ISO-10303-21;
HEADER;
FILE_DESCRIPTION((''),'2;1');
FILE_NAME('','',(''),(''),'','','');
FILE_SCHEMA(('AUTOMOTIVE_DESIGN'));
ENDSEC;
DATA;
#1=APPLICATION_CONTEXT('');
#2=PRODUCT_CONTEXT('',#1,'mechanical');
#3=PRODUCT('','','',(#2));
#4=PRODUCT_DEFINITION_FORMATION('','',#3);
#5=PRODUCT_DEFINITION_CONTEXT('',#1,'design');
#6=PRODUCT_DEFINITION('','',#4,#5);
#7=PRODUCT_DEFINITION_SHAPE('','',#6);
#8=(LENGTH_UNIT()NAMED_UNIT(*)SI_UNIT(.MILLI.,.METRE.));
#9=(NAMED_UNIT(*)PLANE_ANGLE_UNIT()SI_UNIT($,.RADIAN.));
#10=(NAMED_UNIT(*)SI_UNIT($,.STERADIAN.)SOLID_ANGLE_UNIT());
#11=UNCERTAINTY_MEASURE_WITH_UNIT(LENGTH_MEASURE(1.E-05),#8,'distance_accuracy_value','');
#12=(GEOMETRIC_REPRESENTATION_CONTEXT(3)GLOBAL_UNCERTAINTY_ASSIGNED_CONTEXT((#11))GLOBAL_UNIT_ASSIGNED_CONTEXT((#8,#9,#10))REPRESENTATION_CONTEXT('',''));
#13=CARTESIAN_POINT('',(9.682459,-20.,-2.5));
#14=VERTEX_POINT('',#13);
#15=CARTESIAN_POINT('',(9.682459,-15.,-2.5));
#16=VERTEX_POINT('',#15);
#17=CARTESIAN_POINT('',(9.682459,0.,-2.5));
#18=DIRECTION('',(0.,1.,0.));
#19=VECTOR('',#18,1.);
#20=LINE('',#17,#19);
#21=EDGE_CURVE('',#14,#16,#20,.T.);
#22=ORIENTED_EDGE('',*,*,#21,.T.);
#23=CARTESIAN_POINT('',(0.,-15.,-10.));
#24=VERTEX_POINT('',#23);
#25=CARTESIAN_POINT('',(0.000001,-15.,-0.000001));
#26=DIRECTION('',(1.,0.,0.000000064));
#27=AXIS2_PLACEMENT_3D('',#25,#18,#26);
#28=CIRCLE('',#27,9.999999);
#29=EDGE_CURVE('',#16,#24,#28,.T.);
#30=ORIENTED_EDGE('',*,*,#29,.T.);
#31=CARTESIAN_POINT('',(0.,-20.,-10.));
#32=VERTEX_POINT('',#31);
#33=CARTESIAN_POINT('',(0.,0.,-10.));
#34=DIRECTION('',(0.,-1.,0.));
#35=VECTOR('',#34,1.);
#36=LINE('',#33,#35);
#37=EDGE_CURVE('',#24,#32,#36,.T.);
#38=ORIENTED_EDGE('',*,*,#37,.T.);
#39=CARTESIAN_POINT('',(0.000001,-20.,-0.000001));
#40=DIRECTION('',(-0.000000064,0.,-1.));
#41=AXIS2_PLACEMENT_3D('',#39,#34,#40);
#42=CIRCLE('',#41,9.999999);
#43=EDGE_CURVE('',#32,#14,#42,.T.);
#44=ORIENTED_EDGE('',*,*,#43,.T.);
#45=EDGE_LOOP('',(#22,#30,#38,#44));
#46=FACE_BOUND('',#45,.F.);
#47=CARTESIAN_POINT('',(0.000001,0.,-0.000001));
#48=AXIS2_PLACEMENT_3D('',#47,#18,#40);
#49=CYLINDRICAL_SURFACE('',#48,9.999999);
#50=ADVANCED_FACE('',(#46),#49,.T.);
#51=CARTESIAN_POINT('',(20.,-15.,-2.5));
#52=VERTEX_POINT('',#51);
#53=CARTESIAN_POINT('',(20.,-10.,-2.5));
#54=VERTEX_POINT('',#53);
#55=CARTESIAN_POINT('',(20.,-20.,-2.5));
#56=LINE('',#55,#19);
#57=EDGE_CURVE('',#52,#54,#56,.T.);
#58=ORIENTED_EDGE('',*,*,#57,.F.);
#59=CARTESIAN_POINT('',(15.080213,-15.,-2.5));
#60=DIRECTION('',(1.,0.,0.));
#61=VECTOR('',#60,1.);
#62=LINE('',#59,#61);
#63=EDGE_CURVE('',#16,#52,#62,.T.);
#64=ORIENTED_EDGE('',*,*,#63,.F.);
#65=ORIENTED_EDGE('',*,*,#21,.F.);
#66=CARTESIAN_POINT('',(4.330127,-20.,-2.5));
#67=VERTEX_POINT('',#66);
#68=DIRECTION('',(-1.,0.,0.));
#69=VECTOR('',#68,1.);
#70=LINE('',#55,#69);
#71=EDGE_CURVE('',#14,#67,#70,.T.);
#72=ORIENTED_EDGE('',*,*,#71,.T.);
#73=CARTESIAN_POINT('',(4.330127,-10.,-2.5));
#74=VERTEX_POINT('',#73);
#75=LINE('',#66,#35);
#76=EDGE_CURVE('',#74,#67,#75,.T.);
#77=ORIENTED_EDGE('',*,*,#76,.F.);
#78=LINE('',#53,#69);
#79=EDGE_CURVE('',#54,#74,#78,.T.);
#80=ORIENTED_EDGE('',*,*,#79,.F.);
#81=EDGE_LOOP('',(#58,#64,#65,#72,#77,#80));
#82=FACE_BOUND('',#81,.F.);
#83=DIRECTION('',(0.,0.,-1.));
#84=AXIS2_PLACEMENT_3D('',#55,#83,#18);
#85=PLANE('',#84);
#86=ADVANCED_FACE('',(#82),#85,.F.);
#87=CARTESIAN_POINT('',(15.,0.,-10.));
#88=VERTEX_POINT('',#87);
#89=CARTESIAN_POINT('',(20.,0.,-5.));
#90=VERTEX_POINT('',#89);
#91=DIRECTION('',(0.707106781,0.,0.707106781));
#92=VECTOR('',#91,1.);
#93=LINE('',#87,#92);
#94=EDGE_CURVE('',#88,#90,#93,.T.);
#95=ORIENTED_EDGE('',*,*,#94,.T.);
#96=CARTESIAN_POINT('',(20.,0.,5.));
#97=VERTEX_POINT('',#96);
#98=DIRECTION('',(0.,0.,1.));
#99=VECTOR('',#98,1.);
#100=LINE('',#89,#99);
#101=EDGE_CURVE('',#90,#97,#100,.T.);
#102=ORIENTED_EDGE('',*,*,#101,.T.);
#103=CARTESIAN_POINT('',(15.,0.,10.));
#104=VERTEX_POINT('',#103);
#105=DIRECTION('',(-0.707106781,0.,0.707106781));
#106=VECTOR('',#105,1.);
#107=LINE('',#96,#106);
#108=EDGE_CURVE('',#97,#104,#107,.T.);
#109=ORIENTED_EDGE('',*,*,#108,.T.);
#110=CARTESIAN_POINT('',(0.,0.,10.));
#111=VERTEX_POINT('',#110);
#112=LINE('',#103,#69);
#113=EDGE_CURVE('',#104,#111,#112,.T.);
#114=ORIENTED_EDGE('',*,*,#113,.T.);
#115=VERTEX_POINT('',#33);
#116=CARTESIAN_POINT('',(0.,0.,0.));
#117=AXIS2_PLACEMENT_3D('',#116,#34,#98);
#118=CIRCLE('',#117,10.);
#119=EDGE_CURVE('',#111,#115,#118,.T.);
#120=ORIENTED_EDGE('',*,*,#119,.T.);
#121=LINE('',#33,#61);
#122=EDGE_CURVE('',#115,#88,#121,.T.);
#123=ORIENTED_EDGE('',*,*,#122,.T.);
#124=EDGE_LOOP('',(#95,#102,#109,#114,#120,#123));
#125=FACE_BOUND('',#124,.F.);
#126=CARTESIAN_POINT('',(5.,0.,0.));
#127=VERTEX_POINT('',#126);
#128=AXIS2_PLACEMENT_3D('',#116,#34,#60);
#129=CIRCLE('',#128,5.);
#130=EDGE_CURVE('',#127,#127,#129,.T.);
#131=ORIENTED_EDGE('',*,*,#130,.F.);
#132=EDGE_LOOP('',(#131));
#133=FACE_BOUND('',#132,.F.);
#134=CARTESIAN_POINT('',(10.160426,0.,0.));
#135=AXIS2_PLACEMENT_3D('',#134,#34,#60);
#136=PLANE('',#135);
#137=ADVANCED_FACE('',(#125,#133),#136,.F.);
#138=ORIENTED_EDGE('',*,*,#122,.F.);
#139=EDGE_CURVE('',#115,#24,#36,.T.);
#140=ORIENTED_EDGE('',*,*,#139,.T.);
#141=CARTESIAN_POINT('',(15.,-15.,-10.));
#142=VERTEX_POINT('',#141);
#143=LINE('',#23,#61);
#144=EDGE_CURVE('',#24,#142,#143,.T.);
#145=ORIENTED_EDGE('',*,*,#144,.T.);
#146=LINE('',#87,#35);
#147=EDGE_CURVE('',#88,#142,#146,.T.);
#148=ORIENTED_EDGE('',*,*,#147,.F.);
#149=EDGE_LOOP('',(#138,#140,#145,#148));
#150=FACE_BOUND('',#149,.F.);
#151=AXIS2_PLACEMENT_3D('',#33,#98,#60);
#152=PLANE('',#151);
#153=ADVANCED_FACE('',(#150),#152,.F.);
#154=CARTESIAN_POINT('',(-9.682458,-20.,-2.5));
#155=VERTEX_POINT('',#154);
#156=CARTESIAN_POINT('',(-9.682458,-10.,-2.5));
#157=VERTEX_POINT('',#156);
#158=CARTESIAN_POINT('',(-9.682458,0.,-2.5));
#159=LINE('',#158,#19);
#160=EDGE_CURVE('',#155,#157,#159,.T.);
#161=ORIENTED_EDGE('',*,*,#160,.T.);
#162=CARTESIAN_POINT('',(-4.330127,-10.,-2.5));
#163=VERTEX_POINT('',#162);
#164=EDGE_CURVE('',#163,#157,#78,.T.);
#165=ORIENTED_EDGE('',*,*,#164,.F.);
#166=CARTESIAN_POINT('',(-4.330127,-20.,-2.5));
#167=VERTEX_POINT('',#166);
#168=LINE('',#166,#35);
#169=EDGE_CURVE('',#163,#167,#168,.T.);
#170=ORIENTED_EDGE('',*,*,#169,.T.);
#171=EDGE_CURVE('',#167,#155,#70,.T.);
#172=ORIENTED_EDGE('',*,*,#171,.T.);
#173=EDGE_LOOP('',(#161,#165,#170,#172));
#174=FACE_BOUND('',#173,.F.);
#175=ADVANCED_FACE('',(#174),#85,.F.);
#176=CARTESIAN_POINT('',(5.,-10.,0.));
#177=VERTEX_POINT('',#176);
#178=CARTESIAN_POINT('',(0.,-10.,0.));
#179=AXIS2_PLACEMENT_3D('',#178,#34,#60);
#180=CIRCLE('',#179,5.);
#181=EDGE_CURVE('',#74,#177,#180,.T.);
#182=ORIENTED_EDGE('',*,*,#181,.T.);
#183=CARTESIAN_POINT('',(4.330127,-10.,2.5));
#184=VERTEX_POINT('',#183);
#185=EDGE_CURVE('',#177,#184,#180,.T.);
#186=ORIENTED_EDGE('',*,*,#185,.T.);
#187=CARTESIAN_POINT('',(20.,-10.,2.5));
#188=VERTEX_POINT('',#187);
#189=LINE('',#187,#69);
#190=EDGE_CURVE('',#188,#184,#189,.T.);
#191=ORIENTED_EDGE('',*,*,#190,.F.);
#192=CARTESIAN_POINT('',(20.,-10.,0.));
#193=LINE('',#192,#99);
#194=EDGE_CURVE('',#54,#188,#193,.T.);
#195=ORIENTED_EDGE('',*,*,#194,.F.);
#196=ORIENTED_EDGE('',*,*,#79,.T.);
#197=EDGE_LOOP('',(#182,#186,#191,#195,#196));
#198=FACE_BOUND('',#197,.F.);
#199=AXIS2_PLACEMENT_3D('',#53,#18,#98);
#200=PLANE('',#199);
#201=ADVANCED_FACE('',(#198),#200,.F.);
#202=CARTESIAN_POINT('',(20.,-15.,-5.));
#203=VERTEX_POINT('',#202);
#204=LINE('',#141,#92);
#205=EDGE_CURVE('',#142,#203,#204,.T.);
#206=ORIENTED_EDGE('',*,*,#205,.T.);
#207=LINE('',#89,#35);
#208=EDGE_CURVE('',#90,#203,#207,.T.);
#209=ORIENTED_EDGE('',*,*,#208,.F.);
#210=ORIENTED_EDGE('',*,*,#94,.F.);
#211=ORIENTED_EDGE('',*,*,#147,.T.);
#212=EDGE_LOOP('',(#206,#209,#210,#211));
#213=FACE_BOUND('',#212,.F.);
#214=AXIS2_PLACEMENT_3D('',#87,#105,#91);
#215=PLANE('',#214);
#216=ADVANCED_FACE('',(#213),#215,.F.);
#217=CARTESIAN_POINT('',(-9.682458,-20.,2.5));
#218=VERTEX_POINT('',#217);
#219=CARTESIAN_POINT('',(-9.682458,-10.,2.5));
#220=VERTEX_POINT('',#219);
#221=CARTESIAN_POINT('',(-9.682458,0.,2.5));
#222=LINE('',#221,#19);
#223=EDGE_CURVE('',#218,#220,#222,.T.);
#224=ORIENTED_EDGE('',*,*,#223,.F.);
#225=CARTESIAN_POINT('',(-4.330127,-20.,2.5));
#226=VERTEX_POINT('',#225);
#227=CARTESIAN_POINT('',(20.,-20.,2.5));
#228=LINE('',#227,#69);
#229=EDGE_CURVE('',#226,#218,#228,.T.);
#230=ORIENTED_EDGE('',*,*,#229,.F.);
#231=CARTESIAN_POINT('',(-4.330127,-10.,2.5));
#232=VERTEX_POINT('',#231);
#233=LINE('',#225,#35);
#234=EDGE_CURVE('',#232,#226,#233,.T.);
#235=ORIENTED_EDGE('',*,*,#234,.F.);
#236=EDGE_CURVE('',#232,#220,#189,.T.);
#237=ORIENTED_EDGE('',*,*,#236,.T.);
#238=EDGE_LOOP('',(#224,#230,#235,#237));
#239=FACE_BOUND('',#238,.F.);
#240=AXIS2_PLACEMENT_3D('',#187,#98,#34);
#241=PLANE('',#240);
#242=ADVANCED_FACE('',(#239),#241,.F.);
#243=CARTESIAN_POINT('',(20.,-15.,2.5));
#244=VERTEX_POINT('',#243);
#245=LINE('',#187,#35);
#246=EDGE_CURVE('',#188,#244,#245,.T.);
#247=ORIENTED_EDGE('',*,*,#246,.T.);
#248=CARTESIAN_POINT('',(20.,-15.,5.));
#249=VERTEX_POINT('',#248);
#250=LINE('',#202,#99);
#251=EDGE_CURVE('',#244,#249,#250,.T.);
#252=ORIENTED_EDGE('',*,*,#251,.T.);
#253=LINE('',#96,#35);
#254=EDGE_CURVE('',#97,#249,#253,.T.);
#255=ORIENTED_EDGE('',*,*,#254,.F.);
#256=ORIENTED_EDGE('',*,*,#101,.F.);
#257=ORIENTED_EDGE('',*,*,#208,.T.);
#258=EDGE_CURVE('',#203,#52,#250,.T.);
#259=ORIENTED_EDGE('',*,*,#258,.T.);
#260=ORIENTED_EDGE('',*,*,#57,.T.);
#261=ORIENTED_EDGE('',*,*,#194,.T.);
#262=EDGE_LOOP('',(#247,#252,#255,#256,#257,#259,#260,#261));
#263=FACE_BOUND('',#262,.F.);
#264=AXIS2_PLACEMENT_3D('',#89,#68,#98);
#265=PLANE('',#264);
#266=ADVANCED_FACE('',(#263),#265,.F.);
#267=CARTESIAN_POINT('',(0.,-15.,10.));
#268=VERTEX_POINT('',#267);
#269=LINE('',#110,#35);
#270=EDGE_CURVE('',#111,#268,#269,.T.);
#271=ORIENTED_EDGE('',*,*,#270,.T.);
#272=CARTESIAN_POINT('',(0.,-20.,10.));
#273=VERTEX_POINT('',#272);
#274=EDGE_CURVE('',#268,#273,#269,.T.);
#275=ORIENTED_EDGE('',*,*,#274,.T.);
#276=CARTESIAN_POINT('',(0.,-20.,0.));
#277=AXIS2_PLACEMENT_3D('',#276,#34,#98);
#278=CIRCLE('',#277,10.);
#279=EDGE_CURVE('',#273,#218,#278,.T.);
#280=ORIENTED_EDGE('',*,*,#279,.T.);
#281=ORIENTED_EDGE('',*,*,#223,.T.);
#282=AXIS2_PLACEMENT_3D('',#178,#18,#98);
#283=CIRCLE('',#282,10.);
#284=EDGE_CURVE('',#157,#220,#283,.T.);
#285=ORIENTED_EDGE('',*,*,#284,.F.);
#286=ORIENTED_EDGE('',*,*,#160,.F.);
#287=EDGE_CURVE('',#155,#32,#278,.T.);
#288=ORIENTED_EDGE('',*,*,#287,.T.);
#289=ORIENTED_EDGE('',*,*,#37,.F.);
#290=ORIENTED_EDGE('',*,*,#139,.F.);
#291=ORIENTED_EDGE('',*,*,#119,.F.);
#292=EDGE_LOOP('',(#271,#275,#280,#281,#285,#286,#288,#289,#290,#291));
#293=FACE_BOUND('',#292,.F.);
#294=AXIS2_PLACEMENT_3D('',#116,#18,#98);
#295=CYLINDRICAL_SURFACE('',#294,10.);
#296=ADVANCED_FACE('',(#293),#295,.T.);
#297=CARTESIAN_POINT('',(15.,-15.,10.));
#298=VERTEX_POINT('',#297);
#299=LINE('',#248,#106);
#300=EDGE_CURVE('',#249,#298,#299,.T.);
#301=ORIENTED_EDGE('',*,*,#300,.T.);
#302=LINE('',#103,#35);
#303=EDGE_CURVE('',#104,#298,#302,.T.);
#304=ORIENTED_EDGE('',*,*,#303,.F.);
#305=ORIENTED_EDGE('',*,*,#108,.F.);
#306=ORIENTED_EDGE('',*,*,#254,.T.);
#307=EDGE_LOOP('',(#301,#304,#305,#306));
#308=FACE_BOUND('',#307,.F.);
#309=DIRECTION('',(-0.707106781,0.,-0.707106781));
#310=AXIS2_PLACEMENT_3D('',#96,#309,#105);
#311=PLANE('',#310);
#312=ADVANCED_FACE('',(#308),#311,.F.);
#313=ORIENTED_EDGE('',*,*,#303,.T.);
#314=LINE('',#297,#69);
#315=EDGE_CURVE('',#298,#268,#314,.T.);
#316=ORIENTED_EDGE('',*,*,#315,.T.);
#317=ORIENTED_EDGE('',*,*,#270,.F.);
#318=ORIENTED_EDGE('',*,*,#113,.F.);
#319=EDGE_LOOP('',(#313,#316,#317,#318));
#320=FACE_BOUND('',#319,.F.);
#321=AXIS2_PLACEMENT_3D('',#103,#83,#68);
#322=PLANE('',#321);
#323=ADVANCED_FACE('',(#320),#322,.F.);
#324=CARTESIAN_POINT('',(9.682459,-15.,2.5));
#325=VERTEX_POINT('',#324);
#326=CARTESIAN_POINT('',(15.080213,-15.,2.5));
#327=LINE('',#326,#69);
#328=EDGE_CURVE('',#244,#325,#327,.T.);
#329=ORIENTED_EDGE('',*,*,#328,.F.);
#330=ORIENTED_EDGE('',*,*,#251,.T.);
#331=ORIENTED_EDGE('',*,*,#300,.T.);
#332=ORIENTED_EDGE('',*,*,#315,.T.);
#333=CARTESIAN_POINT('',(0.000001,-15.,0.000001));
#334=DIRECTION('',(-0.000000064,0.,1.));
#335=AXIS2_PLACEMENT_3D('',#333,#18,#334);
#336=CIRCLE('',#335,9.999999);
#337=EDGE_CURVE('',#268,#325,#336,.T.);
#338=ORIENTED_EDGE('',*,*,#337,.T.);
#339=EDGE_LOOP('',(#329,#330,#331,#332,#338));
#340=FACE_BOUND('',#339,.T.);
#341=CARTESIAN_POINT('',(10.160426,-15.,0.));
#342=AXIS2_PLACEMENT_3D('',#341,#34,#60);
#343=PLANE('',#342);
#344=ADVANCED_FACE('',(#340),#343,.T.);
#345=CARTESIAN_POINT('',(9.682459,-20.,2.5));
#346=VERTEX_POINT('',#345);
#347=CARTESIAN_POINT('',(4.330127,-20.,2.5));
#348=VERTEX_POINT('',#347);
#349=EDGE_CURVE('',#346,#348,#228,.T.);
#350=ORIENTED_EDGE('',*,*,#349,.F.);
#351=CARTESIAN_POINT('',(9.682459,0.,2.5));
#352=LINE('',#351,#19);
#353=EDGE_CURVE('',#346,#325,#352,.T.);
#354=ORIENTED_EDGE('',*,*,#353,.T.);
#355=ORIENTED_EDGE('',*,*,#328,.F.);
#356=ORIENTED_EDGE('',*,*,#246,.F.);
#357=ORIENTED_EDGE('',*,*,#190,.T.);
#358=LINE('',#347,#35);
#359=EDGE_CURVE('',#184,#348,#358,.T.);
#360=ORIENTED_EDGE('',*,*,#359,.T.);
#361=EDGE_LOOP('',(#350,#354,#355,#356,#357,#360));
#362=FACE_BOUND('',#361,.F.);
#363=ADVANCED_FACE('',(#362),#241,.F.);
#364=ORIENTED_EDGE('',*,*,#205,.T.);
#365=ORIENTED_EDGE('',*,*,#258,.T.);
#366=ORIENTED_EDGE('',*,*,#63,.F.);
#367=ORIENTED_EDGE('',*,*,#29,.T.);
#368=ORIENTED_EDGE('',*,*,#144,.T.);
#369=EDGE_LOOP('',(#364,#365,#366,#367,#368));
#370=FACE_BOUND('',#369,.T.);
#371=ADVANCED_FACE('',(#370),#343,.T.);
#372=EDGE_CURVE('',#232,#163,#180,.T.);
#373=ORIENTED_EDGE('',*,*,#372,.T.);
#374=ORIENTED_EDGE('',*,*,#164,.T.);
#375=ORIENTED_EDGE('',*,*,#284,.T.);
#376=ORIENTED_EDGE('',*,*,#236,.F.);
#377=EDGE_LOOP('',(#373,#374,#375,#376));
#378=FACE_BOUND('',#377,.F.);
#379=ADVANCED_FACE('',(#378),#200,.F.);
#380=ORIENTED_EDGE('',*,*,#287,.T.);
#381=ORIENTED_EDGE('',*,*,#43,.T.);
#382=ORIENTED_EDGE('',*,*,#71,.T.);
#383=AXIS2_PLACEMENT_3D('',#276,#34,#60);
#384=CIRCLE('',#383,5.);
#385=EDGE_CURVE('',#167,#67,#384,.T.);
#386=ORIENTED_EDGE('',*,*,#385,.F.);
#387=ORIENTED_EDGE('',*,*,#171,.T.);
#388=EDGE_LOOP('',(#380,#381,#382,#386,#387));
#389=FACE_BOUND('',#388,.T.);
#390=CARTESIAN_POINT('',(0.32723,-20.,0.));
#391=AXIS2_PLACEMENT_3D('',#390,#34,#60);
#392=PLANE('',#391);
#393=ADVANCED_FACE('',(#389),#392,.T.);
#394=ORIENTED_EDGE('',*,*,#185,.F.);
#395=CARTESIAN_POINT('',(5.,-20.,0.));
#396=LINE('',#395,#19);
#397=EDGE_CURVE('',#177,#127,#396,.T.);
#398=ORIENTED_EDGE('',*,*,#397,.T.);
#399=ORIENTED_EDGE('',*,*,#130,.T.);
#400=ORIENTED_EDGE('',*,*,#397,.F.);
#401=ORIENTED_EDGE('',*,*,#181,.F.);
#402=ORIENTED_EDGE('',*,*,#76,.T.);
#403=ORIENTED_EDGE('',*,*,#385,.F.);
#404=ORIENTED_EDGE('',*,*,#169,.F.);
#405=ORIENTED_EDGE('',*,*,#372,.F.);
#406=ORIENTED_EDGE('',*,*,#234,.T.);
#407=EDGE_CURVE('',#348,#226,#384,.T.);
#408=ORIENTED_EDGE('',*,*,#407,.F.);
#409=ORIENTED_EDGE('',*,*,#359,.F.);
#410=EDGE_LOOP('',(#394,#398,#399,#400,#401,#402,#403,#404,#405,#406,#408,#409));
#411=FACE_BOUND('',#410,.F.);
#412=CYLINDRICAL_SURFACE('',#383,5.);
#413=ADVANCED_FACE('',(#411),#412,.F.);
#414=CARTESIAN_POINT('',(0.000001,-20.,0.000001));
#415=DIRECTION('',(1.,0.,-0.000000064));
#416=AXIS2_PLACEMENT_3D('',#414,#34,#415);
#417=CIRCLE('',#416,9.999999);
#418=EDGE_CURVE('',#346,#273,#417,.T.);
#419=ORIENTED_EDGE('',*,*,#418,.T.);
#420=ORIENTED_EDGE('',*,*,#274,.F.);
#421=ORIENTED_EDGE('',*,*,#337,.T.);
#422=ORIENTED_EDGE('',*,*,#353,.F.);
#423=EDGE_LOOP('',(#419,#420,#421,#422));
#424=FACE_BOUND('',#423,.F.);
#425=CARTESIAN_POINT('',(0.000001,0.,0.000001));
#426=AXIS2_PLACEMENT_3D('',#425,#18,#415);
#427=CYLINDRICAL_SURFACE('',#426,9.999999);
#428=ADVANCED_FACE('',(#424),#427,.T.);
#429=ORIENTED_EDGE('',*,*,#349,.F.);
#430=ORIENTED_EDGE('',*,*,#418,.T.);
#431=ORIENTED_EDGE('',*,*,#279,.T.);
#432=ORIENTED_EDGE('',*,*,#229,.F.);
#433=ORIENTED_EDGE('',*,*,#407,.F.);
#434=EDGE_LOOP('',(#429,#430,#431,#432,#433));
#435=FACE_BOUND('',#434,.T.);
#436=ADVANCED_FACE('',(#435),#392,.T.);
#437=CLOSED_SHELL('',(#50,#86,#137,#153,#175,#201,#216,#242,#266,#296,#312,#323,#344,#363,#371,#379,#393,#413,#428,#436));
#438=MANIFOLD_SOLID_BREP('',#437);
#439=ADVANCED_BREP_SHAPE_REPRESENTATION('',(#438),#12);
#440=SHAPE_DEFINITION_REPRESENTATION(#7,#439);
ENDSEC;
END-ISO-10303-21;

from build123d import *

# Parameters (mm, degrees)
F1_DEPTH = 20
F2_DEPTH = 15
F3_R     = 5
F4_DEPTH = 20.001
F5_W     = 5
F5_H     = 5
F6_DEPTH = 30.001


with BuildPart() as f1:
    # F0 (on Front) → F1 (new body)
    with BuildSketch(Plane.XZ):
        with BuildLine():
            ThreePointArc((0, -10), (7.071068, -7.071068), (10, 0))
            ThreePointArc((10, 0), (7.071068, 7.071068), (0, 10))
            ThreePointArc((0, 10), (-10, 0), (0, -10))
        make_face()
    extrude(amount=F1_DEPTH)

    # F0 (on Front) → F2 (join)
    with BuildSketch(Plane.XZ):
        with BuildLine():
            ThreePointArc((0, 10), (7.071068, 7.071068), (10, 0))
            ThreePointArc((10, 0), (7.071068, -7.071068), (0, -10))
            Line((0, -10), (15, -10))
            Line((15, -10), (20, -5))
            Line((20, -5), (20, 5))
            Line((20, 5), (15, 10))
            Line((15, 10), (0, 10))
        make_face()
    extrude(amount=F2_DEPTH)

    # F3 (on face) → F4 (cut, through all)
    with BuildSketch(Plane.XZ.offset(20)):
        Circle(F3_R)
    extrude(amount=-F4_DEPTH, mode=Mode.SUBTRACT)

    # F5 (on face) → F6 (cut, through all)
    with BuildSketch(Plane.YZ.offset(20)):
        with Locations((-12.5, 0)):
            Rectangle(F5_W, F5_H)
        with Locations((-17.5, 0)):
            Rectangle(F5_W, F5_H)
    extrude(amount=-F6_DEPTH, mode=Mode.SUBTRACT)


solid = f1.part
